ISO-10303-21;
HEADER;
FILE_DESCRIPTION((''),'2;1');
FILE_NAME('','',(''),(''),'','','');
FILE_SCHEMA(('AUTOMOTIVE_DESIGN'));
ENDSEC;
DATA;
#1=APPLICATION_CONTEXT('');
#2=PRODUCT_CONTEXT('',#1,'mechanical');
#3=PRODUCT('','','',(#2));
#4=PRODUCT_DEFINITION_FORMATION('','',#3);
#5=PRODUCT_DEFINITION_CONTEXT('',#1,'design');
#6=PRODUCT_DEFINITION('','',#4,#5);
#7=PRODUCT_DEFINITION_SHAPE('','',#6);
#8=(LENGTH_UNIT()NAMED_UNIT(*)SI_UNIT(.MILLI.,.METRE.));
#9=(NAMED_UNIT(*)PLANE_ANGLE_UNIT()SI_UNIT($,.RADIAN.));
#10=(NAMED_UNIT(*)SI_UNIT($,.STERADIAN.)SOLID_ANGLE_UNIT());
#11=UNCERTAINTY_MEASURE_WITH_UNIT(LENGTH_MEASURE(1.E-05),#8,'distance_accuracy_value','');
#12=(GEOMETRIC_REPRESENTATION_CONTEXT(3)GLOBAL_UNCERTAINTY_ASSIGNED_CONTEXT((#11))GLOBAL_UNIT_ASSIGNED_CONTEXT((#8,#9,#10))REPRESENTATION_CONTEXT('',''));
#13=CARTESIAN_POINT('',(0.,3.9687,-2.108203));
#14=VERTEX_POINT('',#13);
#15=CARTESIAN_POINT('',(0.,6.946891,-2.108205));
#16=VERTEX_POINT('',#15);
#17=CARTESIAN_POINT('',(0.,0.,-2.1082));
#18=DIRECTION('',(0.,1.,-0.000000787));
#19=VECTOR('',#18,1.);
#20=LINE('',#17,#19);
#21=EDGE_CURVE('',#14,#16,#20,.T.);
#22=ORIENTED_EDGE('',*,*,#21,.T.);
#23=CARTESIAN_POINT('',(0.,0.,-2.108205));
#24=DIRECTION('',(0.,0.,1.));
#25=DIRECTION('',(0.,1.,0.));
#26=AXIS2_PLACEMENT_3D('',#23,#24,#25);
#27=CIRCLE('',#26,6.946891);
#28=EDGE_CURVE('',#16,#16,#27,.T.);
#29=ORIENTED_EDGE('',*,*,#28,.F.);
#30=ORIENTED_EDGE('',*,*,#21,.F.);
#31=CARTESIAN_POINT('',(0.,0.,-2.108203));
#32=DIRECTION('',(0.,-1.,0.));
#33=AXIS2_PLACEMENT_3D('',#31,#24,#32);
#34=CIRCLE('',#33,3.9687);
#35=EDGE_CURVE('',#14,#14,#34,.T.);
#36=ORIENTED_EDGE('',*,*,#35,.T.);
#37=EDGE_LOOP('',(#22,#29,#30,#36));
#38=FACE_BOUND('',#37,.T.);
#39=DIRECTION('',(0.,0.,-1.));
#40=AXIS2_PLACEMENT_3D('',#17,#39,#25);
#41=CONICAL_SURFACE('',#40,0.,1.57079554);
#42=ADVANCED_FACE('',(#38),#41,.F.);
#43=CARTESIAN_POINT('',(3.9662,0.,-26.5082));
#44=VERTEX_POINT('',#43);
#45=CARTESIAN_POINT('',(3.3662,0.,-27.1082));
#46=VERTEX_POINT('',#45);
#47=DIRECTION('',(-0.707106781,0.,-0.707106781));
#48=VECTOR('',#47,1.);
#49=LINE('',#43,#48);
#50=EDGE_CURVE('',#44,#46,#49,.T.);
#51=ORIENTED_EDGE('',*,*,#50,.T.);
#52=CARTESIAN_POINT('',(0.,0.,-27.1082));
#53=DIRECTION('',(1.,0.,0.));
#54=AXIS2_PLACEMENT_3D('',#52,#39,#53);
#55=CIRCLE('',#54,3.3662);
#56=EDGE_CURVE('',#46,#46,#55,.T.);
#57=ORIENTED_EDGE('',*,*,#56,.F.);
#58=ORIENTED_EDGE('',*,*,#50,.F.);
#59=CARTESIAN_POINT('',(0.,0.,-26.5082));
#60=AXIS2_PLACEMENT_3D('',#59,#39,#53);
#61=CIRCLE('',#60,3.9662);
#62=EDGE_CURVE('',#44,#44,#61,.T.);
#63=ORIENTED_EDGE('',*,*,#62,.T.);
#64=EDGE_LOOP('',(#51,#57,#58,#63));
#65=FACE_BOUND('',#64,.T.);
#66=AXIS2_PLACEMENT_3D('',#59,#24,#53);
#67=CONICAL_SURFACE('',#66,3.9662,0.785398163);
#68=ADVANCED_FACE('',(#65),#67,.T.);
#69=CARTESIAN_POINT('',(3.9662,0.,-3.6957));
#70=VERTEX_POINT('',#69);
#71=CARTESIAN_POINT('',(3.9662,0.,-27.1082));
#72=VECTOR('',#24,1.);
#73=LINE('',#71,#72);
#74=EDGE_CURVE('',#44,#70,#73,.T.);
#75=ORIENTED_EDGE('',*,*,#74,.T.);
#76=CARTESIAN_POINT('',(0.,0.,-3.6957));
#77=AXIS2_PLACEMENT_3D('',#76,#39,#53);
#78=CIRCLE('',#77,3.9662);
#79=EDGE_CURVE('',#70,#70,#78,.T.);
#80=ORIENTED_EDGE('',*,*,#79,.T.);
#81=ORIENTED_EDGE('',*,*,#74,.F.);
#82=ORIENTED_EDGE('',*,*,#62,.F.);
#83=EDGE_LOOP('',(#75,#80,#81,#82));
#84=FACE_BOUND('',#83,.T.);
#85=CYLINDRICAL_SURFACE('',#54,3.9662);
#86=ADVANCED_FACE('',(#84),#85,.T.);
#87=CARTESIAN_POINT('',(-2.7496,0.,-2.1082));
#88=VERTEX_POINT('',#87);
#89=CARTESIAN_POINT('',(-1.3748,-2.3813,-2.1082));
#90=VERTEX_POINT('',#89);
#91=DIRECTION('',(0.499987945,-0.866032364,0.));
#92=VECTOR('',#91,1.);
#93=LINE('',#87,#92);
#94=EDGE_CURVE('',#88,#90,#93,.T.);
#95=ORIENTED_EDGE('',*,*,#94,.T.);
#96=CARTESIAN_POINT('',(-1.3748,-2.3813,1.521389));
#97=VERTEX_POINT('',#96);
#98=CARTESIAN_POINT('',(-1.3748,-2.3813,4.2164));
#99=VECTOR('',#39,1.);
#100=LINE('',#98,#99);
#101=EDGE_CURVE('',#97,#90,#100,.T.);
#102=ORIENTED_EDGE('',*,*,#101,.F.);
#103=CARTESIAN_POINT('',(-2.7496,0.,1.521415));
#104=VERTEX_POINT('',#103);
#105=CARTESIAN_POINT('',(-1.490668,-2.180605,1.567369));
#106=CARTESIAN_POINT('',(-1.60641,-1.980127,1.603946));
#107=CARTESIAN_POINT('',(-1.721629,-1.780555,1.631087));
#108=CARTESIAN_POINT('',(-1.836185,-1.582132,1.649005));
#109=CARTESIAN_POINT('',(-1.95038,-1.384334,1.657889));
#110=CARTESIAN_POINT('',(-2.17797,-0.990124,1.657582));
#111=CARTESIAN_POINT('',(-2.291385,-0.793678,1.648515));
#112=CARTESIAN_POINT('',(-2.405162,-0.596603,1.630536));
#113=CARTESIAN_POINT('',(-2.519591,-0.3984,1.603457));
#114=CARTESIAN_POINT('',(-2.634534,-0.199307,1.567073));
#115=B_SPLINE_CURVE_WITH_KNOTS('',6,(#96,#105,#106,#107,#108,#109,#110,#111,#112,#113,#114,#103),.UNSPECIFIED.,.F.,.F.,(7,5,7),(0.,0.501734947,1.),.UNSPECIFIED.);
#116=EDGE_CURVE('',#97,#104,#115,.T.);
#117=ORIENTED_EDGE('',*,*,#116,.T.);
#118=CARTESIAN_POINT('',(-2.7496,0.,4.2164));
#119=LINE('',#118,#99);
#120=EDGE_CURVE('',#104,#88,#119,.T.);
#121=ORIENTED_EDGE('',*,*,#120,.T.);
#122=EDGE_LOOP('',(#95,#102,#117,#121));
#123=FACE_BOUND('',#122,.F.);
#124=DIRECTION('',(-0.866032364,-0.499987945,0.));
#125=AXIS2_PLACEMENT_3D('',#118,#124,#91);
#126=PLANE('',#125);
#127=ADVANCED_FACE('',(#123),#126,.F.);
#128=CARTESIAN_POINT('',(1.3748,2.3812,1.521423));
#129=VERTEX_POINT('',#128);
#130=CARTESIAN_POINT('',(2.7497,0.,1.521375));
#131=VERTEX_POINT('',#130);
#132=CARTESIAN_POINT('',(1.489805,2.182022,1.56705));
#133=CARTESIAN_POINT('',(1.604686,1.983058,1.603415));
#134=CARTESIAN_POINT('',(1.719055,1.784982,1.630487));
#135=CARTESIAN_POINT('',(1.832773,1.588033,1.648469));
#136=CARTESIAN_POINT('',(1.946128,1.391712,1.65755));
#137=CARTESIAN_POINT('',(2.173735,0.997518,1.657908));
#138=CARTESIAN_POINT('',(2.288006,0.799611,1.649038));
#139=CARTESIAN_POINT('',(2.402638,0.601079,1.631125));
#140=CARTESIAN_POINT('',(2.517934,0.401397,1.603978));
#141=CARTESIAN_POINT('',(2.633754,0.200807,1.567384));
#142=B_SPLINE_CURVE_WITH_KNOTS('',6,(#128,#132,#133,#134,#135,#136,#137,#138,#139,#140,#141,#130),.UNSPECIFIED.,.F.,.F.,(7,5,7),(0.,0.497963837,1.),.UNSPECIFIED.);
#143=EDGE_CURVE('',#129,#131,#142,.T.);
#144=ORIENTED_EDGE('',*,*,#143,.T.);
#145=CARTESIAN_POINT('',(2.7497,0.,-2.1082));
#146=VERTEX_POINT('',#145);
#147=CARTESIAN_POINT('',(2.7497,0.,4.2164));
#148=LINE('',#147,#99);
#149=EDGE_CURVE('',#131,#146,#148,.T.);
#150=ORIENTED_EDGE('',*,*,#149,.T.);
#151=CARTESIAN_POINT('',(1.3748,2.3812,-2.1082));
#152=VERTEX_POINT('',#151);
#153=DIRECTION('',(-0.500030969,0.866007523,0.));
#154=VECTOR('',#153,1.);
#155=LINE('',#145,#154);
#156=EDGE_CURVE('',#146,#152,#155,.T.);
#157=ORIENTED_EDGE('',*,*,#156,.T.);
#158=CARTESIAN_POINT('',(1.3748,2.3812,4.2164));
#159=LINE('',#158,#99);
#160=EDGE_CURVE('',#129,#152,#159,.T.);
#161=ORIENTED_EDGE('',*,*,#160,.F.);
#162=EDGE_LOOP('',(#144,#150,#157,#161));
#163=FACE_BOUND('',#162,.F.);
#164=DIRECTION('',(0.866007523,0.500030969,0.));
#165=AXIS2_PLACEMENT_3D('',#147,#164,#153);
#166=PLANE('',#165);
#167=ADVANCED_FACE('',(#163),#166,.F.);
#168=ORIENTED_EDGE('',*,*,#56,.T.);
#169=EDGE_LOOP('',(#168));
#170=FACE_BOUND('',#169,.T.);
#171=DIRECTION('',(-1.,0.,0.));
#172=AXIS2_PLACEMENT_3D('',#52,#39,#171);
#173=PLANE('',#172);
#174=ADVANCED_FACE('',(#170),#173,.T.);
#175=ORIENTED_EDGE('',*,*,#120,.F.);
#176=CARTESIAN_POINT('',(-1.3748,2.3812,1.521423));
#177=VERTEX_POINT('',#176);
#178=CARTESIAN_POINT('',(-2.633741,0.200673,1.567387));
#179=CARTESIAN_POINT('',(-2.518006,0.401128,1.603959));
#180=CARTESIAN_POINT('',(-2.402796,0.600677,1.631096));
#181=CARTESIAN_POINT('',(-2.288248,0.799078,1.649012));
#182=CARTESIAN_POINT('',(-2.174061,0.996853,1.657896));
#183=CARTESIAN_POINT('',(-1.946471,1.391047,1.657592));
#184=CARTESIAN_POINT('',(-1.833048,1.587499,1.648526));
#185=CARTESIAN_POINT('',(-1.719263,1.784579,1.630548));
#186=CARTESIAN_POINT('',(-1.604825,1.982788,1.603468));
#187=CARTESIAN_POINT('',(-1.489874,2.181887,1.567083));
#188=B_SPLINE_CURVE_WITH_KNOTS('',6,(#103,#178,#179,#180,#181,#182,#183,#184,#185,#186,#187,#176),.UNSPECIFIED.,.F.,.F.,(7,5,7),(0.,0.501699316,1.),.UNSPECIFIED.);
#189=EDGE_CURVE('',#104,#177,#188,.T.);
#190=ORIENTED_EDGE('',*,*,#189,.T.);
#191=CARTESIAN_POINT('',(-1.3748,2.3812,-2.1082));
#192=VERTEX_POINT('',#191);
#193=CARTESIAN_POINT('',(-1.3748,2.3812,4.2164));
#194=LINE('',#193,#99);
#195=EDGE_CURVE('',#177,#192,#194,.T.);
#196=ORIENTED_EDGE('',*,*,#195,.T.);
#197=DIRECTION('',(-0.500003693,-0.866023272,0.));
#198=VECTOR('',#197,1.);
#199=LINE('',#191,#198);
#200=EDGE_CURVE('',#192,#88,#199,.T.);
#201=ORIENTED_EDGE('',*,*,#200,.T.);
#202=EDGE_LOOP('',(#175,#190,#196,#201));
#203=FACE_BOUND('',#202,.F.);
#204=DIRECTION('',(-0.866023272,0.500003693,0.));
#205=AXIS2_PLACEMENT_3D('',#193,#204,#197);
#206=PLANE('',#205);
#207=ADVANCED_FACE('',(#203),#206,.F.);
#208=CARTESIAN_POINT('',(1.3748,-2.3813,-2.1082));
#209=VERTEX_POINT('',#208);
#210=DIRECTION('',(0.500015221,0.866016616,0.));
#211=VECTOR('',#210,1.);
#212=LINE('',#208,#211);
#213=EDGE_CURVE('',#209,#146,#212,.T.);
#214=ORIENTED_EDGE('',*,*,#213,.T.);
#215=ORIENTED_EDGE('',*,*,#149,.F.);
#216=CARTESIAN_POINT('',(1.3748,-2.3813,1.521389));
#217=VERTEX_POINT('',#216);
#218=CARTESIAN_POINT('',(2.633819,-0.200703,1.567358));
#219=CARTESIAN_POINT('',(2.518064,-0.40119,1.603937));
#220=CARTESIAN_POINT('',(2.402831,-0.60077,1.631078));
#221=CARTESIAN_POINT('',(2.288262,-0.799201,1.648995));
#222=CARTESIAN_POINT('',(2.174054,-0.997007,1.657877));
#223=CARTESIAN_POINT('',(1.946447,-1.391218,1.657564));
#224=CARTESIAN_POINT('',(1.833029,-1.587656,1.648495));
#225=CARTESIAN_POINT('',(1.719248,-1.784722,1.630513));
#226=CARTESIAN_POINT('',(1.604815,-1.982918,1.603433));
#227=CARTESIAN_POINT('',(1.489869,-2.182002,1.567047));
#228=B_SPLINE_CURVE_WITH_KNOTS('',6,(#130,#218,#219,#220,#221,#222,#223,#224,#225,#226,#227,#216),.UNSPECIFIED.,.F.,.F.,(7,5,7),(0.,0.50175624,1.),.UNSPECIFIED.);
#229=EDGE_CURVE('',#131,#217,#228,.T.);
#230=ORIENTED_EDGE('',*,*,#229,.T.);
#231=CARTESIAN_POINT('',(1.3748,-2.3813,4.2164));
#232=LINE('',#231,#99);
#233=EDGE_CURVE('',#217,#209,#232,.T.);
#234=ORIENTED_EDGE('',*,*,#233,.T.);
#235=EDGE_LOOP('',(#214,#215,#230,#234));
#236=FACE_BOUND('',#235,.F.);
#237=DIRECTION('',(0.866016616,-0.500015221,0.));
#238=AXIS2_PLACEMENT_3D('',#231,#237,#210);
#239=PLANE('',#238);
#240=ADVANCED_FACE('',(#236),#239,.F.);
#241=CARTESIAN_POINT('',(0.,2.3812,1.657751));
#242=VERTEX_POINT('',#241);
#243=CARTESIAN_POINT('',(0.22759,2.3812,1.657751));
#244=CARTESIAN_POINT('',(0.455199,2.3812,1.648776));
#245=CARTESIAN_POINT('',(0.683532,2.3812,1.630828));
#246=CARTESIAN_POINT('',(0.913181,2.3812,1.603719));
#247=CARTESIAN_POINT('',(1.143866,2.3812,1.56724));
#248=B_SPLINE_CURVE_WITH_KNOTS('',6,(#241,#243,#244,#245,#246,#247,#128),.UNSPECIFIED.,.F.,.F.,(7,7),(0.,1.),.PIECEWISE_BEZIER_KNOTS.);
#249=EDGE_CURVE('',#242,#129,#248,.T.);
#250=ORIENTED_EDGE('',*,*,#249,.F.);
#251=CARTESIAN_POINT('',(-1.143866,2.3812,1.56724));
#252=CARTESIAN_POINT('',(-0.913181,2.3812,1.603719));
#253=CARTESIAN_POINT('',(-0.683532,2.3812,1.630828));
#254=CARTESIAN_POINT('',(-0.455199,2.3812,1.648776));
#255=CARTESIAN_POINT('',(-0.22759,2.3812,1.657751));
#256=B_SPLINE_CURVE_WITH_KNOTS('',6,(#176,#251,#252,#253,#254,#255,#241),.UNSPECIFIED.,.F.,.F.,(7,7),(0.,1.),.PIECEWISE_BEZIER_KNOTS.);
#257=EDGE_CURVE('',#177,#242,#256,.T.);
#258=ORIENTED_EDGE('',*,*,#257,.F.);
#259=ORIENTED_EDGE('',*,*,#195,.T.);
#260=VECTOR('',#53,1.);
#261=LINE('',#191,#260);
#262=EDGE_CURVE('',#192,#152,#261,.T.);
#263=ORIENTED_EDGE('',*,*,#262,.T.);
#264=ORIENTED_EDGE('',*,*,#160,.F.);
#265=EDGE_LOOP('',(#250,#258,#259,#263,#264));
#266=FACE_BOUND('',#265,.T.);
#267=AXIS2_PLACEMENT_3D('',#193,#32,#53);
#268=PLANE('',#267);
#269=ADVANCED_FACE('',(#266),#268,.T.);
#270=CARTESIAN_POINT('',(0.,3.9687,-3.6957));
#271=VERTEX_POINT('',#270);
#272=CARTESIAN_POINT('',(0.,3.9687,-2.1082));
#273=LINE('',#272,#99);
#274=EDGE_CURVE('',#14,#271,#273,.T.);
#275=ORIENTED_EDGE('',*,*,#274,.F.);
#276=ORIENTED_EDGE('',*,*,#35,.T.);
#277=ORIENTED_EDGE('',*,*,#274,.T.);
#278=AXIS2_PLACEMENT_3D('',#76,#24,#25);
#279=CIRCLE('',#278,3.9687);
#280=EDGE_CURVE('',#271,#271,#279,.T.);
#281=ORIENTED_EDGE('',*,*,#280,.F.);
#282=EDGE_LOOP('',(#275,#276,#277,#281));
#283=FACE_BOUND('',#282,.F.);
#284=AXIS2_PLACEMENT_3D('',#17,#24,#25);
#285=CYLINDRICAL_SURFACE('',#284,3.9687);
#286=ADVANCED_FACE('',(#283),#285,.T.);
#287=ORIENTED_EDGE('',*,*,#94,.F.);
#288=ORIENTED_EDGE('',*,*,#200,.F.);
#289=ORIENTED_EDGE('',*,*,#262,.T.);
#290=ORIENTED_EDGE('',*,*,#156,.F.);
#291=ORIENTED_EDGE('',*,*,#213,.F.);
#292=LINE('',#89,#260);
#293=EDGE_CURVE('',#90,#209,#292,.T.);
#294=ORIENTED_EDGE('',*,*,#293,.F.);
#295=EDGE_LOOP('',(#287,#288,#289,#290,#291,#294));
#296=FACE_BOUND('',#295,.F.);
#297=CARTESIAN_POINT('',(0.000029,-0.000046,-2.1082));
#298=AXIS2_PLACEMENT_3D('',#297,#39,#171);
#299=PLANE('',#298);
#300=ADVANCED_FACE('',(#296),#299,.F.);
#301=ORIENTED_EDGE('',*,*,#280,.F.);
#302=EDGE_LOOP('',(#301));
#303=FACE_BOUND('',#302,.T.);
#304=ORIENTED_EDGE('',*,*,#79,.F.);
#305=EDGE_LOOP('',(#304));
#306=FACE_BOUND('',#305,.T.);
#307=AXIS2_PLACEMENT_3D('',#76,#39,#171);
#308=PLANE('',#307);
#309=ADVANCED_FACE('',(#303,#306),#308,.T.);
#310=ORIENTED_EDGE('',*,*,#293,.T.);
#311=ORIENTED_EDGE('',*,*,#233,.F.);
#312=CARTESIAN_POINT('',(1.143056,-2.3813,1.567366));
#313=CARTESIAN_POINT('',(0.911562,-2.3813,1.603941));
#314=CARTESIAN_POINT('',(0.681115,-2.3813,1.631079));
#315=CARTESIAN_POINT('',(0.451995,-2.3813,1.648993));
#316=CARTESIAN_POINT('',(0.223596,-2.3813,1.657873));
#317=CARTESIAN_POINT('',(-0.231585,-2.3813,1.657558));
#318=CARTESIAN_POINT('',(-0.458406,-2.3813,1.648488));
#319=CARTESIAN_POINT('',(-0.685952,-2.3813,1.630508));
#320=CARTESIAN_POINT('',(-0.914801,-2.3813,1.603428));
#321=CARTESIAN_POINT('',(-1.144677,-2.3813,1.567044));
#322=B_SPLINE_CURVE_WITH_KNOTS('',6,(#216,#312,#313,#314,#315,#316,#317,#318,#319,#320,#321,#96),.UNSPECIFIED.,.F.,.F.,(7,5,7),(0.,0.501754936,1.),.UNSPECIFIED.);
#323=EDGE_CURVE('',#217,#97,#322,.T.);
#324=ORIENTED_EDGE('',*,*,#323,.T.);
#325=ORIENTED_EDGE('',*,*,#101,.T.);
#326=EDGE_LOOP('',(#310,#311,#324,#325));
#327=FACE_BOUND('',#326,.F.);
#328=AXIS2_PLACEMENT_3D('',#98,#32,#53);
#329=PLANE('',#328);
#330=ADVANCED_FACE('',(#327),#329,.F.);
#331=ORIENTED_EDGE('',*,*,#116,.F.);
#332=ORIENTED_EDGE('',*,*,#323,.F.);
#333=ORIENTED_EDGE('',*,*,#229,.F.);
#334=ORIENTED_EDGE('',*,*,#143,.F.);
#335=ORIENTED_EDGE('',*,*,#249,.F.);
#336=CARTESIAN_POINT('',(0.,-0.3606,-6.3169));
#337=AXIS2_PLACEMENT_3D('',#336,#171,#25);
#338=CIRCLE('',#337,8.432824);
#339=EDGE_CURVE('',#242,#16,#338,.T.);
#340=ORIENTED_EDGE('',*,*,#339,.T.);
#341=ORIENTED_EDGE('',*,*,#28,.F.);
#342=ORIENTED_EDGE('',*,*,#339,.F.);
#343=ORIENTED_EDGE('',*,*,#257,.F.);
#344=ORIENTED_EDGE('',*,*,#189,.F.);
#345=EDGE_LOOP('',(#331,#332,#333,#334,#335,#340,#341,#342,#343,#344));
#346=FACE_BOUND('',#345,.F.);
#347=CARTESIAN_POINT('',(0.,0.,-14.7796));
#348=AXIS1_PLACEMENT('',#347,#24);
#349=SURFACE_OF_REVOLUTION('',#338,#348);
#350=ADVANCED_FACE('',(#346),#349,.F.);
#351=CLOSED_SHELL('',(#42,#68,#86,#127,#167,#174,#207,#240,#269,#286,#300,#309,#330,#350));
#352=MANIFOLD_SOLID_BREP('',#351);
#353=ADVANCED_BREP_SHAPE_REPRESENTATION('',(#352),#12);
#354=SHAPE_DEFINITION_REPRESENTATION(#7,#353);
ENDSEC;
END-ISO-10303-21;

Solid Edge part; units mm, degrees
sketch "Sketch1" plane through (0, 0, 0) normal (1, 0, 0) x (0, 1, 0)
  line L0 (0, -2.1082) -> (0, 2.1082)
  arc A0 (0, 2.1082) -> (6.9469, -2.1082) centre (-0.3606, -6.3169) cw
  line L1 (0, -2.1082) -> (6.9469, -2.1082)
  dimension "D1" = 4.2164
  dimension "D2" = 8.4328
revolve "RevolvedProtrusion1" add sketch "Sketch1" angle 360 about axis through (0, 0, -14.7796) along (0, 0, 1)
sketch "Sketch2" plane through (0, 0, -2.1082) normal (0, 0, -1) x (0, 1, 0)
  circle A0 centre (0, 0) radius 3.9687
  dimension "D1" = 7.9375
extrude "Protrusion1" add sketch "Sketch2" along normal blind 25
sketch "Sketch3" plane through (0, 0, -27.1082) normal (0, 0, -1) x (1, 0, 0)
  circle A0 centre (0, 0) radius 3.9662
  dimension "D1" = 0.0025
extrude "Cutout1" cut sketch "Sketch3" against normal blind 23.4125 flip side to cut
sketch "Sketch4" plane through (-0.6032, 0.3606, 4.2164) normal (0, 0, 1) x (1, 0, 0)
  line L0 (-0.7716, 2.0206) -> (1.978, 2.0206)
  line L1 (3.3529, -0.3606) -> (1.978, 2.0206)
  line L2 (1.978, -2.7419) -> (3.3529, -0.3606)
  line L3 (-0.7716, -2.7419) -> (1.978, -2.7419)
  line L4 (-2.1464, -0.3606) -> (-0.7716, -2.7419)
  line L5 (-0.7716, 2.0206) -> (-2.1464, -0.3606)
extrude "ExtrudedCutout_11" cut sketch "Sketch4" against normal blind 6.3246
chamfer "Chamfer_2" distance 0.6 angle 45 1 edges at (-3.9662, 0, -27.1082)
properties part number "117753"
